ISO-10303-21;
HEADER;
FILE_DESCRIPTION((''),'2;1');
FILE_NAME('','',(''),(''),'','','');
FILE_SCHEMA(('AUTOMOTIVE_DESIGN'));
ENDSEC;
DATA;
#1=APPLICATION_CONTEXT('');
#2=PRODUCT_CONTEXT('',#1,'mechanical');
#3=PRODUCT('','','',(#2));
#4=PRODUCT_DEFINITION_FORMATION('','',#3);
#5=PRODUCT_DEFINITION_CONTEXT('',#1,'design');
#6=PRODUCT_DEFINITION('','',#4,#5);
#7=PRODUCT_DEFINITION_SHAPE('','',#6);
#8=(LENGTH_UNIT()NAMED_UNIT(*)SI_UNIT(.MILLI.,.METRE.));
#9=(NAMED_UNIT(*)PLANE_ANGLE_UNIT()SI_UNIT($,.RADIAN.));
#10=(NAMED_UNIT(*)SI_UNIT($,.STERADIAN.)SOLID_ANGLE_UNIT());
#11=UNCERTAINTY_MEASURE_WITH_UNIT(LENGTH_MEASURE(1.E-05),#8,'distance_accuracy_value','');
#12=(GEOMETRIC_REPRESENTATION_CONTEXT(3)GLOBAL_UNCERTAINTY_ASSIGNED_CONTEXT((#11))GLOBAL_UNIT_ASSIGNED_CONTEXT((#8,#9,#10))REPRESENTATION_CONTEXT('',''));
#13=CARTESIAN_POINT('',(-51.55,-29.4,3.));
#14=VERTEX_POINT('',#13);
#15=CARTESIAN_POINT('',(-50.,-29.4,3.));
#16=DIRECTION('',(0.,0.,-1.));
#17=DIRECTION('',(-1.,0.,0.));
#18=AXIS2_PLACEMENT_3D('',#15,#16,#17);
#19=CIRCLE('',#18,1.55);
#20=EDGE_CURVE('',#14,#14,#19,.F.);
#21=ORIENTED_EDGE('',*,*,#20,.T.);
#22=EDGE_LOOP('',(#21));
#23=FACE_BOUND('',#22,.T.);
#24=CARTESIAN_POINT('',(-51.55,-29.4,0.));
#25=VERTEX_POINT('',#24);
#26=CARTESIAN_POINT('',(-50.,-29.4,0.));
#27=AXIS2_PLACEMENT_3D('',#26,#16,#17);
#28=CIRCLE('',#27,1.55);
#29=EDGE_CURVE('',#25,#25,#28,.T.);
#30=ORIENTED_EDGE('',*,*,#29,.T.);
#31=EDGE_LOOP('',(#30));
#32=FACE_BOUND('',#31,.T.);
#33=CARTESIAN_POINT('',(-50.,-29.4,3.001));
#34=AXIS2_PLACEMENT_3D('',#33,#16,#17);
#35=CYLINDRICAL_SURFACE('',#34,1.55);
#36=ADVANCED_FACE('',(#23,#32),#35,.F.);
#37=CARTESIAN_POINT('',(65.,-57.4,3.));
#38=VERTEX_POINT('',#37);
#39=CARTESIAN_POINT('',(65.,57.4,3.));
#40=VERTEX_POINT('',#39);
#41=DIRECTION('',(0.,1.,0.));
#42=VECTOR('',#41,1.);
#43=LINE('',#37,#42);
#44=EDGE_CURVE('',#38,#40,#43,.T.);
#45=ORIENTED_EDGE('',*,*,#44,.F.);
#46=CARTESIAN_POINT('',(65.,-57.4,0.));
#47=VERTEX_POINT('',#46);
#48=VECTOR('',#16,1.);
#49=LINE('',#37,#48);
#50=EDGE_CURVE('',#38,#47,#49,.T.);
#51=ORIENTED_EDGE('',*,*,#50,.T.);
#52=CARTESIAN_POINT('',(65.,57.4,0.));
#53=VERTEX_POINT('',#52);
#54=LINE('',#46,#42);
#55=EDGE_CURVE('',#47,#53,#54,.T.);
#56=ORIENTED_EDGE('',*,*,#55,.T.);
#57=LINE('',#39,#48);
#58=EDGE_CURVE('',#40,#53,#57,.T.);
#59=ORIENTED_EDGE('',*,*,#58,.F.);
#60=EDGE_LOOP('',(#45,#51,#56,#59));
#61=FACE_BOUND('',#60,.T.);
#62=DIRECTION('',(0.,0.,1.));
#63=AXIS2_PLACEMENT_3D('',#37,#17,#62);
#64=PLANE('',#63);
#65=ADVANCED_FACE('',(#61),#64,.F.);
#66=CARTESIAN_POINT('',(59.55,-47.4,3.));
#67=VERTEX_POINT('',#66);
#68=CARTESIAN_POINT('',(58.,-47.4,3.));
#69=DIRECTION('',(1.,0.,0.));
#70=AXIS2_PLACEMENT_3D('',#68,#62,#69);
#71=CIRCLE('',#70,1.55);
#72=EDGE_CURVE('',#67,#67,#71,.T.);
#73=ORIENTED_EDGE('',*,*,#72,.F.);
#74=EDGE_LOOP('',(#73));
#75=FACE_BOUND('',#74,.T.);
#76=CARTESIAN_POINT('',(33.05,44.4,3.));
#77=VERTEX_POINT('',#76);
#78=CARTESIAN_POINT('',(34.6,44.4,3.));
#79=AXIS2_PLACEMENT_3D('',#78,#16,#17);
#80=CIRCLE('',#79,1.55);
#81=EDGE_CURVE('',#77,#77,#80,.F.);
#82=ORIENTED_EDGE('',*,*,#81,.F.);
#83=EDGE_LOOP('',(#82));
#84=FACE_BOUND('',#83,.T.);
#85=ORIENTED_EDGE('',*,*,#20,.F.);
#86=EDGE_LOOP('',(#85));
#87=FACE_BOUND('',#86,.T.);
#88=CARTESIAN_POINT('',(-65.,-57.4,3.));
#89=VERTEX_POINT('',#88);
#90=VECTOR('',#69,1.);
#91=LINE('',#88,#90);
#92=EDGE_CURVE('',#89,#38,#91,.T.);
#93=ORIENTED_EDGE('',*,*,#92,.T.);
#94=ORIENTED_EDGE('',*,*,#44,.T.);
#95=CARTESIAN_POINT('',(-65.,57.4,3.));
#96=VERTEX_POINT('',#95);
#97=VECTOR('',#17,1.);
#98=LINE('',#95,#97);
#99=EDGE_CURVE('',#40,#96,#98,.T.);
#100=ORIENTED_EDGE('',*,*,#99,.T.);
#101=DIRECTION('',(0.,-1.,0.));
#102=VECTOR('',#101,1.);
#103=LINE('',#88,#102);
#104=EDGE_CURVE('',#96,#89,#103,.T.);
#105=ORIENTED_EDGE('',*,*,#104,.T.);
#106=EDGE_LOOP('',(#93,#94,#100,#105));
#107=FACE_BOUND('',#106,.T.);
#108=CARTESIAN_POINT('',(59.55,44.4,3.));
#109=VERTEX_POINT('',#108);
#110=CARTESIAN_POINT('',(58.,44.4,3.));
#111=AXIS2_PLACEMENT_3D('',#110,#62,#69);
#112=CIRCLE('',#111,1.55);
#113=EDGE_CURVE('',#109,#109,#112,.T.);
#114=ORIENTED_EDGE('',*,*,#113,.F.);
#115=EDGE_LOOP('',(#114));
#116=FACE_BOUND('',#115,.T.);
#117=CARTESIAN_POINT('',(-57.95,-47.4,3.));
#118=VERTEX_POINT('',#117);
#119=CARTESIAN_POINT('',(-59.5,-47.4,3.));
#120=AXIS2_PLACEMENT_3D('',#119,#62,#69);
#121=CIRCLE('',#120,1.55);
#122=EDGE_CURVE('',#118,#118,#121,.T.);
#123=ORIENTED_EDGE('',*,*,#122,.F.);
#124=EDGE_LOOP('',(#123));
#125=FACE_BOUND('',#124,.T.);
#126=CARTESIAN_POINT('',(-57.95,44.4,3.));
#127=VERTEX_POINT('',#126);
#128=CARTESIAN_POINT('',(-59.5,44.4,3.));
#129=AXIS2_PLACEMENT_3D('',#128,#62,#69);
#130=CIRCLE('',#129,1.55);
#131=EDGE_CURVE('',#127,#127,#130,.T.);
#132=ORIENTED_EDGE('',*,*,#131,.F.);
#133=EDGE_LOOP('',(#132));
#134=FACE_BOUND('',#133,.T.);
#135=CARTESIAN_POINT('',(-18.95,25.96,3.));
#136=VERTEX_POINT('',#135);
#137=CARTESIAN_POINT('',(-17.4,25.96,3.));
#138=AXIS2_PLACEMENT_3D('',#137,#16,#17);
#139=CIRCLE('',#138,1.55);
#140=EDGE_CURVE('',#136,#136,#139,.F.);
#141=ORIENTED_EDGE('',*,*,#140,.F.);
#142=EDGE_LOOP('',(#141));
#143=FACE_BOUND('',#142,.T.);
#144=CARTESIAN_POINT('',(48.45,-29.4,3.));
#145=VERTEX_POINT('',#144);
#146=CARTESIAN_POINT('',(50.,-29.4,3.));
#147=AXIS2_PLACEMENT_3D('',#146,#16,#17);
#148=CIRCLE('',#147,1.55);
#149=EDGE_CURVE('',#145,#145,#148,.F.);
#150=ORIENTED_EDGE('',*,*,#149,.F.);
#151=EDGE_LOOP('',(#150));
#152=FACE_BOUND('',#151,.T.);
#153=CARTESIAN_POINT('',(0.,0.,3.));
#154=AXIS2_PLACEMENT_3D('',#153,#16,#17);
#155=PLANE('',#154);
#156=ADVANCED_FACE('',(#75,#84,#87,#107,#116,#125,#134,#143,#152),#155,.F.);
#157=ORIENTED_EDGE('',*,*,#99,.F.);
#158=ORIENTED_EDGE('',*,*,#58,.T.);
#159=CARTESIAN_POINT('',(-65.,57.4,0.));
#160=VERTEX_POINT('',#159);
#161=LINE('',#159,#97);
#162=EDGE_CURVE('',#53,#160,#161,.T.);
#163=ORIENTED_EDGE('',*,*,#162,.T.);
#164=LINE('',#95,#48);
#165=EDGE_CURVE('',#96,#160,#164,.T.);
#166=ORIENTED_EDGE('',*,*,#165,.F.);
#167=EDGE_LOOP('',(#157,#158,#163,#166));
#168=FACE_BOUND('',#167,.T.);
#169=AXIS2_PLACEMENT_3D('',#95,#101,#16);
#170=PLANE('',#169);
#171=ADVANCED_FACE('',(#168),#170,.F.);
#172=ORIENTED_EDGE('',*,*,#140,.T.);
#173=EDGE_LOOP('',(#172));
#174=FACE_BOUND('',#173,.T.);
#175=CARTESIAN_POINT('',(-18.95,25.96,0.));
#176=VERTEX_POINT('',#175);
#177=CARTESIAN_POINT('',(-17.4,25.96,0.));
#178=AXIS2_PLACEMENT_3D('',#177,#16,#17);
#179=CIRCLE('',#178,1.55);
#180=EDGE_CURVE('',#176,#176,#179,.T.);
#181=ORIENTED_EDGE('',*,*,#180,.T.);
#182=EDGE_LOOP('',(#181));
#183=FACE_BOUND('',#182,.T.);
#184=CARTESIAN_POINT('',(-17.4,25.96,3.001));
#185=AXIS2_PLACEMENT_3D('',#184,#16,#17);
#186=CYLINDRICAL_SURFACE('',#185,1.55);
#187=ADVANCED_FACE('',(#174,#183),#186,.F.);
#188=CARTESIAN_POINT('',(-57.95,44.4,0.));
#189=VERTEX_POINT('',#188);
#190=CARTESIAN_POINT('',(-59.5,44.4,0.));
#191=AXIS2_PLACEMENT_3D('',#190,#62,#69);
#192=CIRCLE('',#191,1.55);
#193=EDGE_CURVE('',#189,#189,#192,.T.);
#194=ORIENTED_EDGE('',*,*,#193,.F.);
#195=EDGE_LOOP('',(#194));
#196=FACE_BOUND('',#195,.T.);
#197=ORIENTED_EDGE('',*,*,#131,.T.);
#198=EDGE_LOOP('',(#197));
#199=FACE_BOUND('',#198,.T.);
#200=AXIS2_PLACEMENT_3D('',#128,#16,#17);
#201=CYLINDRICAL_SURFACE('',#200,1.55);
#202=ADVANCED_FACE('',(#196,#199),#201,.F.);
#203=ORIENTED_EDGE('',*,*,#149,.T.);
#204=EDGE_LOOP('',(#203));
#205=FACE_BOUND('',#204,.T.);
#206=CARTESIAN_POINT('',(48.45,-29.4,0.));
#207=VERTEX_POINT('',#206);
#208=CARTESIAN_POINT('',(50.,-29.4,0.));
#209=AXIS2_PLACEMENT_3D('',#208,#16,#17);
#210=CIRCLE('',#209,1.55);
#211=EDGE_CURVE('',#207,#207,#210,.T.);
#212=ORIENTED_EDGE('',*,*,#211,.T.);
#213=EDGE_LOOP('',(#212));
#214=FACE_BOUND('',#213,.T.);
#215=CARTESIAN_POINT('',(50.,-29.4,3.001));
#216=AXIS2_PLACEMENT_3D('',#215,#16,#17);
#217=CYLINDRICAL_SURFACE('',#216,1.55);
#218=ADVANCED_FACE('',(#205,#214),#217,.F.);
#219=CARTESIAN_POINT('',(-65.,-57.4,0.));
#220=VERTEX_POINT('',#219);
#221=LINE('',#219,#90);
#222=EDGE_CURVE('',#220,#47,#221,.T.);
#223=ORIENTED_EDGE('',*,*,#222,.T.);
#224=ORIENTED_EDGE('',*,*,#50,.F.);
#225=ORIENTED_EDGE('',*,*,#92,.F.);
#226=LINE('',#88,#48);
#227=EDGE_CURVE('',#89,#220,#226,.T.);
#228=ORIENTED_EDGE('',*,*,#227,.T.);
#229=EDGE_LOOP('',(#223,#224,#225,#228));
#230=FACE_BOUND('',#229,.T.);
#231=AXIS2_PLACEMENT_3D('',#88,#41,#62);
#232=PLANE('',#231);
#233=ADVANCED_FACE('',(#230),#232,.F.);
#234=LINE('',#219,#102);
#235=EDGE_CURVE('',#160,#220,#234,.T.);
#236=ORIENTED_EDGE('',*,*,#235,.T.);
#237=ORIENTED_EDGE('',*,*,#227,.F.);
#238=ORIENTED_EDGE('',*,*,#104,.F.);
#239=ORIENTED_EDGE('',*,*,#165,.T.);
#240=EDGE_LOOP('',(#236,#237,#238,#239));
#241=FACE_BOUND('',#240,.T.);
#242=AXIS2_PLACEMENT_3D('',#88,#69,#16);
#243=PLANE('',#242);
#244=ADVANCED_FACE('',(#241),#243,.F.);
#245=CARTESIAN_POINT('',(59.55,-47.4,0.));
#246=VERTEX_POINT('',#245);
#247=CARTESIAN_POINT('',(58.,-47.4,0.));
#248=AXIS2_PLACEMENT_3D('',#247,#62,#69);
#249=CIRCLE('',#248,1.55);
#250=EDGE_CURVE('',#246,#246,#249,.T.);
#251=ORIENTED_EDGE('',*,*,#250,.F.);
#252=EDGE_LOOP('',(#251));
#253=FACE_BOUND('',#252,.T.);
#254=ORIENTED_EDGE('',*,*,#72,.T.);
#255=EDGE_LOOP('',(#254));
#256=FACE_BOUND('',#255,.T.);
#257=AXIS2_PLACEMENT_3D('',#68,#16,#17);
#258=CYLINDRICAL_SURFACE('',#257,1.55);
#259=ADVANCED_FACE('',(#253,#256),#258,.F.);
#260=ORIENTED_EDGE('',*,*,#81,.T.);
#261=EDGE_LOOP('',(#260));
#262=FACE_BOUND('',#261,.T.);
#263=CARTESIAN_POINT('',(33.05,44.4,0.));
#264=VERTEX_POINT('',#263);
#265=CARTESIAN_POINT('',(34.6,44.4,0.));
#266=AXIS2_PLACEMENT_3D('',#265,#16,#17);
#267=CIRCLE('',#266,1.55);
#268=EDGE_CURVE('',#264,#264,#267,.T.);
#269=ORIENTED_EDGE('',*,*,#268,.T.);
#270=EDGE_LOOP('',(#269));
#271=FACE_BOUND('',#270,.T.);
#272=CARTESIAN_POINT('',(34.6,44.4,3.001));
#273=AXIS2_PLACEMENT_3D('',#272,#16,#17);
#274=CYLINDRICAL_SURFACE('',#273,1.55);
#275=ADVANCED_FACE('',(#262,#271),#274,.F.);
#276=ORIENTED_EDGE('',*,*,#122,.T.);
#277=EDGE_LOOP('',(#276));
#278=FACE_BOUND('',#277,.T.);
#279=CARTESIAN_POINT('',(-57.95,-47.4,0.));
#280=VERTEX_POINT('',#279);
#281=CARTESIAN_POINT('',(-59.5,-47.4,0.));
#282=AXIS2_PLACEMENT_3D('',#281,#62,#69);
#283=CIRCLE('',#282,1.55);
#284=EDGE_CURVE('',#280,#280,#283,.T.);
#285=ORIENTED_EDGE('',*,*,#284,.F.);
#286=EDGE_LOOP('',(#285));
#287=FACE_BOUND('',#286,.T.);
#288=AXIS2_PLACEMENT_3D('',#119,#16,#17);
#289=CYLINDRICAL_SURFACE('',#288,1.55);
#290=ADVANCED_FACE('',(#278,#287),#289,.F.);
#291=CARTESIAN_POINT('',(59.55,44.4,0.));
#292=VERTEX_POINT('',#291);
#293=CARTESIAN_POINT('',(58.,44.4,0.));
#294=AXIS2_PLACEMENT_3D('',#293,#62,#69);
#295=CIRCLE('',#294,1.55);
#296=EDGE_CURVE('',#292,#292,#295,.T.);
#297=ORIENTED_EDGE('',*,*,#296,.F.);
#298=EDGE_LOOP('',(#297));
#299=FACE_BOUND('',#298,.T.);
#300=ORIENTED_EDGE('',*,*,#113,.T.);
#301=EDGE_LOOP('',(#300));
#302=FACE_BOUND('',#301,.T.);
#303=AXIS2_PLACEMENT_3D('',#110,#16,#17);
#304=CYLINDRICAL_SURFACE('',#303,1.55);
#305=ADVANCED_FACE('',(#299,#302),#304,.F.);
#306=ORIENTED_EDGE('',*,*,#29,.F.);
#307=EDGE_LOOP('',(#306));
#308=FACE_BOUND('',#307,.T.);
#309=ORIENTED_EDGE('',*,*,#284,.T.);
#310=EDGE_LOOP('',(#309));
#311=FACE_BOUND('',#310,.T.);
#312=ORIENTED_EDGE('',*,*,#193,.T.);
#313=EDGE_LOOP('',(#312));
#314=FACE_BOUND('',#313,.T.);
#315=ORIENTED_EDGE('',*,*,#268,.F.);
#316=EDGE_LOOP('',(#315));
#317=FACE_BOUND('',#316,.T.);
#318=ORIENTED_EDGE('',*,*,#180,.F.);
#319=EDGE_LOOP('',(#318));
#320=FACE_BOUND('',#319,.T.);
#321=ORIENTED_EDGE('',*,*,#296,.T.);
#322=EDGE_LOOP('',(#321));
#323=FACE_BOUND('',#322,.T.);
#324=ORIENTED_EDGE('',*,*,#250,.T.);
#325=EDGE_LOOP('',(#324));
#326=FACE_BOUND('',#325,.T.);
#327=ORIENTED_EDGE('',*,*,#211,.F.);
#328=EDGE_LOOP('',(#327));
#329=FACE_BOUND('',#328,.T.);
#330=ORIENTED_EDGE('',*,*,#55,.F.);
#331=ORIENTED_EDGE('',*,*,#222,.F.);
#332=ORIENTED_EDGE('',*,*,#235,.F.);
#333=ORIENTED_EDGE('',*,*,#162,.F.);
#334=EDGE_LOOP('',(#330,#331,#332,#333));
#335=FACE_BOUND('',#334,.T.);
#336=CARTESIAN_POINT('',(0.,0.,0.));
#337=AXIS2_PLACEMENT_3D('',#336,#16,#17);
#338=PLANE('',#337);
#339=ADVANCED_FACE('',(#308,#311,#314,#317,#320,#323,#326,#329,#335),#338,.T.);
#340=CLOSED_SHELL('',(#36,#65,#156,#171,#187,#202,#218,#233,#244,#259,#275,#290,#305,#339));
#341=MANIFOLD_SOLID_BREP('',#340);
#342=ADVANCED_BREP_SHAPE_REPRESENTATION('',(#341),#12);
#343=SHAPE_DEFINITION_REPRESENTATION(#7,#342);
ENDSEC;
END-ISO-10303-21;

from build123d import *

# Parameters (mm, degrees)
SKETCH1_W           = 130
SKETCH1_H           = 114.8
SKETCH1_R           = 1.55
BOSS_EXTRUDE1_DEPTH = 3
CUT_EXTRUDE1_REACH  = 5
SKETCH3_R           = 1.55
CUT_EXTRUDE2_REACH  = 5
SKETCH4_R           = 1.55


with BuildPart() as part:
    # Sketch1 → Boss-Extrude1 (new body)
    with BuildSketch(Plane.XY):
        Rectangle(SKETCH1_W, SKETCH1_H)
        with Locations((-59.5, 44.4)):
            Circle(SKETCH1_R, mode=Mode.SUBTRACT)
        with Locations((58, 44.4)):
            Circle(SKETCH1_R, mode=Mode.SUBTRACT)
        with Locations((58, -47.4)):
            Circle(SKETCH1_R, mode=Mode.SUBTRACT)
        with Locations((-59.5, -47.4)):
            Circle(SKETCH1_R, mode=Mode.SUBTRACT)
    extrude(amount=BOSS_EXTRUDE1_DEPTH)

    # Sketch3 → Cut-Extrude1 (cut, up to next)
    with BuildSketch(Plane(origin=(0, 0, 0), x_dir=(-1, 0, 0), z_dir=(0, 0, -1)), mode=Mode.PRIVATE) as cut_extrude1_sk1:
        with Locations((-50, -29.4)):
            Circle(SKETCH3_R)
    cut_extrude1_tool1 = extrude(cut_extrude1_sk1.sketch, amount=-CUT_EXTRUDE1_REACH, mode=Mode.PRIVATE) & part.part
    add(cut_extrude1_tool1.solids().sort_by_distance((50, -29.4, 0))[0], mode=Mode.SUBTRACT)
    # Sketch3 → Cut-Extrude1 (cut, up to next)
    with BuildSketch(Plane(origin=(0, 0, 0), x_dir=(-1, 0, 0), z_dir=(0, 0, -1)), mode=Mode.PRIVATE) as cut_extrude1_sk2:
        with Locations((50, -29.4)):
            Circle(SKETCH3_R)
    cut_extrude1_tool2 = extrude(cut_extrude1_sk2.sketch, amount=-CUT_EXTRUDE1_REACH, mode=Mode.PRIVATE) & part.part
    add(cut_extrude1_tool2.solids().sort_by_distance((-50, -29.4, 0))[0], mode=Mode.SUBTRACT)

    # Sketch4 → Cut-Extrude2 (cut, up to next)
    with BuildSketch(Plane(origin=(0, 0, 0), x_dir=(-1, 0, 0), z_dir=(0, 0, -1)), mode=Mode.PRIVATE) as cut_extrude2_sk1:
        with Locations((-34.6, 44.4)):
            Circle(SKETCH4_R)
    cut_extrude2_tool1 = extrude(cut_extrude2_sk1.sketch, amount=-CUT_EXTRUDE2_REACH, mode=Mode.PRIVATE) & part.part
    add(cut_extrude2_tool1.solids().sort_by_distance((34.6, 44.4, 0))[0], mode=Mode.SUBTRACT)
    # Sketch4 → Cut-Extrude2 (cut, up to next)
    with BuildSketch(Plane(origin=(0, 0, 0), x_dir=(-1, 0, 0), z_dir=(0, 0, -1)), mode=Mode.PRIVATE) as cut_extrude2_sk2:
        with Locations((17.4, 25.96)):
            Circle(SKETCH4_R)
    cut_extrude2_tool2 = extrude(cut_extrude2_sk2.sketch, amount=-CUT_EXTRUDE2_REACH, mode=Mode.PRIVATE) & part.part
    add(cut_extrude2_tool2.solids().sort_by_distance((-17.4, 25.96, 0))[0], mode=Mode.SUBTRACT)


solid = part.part
